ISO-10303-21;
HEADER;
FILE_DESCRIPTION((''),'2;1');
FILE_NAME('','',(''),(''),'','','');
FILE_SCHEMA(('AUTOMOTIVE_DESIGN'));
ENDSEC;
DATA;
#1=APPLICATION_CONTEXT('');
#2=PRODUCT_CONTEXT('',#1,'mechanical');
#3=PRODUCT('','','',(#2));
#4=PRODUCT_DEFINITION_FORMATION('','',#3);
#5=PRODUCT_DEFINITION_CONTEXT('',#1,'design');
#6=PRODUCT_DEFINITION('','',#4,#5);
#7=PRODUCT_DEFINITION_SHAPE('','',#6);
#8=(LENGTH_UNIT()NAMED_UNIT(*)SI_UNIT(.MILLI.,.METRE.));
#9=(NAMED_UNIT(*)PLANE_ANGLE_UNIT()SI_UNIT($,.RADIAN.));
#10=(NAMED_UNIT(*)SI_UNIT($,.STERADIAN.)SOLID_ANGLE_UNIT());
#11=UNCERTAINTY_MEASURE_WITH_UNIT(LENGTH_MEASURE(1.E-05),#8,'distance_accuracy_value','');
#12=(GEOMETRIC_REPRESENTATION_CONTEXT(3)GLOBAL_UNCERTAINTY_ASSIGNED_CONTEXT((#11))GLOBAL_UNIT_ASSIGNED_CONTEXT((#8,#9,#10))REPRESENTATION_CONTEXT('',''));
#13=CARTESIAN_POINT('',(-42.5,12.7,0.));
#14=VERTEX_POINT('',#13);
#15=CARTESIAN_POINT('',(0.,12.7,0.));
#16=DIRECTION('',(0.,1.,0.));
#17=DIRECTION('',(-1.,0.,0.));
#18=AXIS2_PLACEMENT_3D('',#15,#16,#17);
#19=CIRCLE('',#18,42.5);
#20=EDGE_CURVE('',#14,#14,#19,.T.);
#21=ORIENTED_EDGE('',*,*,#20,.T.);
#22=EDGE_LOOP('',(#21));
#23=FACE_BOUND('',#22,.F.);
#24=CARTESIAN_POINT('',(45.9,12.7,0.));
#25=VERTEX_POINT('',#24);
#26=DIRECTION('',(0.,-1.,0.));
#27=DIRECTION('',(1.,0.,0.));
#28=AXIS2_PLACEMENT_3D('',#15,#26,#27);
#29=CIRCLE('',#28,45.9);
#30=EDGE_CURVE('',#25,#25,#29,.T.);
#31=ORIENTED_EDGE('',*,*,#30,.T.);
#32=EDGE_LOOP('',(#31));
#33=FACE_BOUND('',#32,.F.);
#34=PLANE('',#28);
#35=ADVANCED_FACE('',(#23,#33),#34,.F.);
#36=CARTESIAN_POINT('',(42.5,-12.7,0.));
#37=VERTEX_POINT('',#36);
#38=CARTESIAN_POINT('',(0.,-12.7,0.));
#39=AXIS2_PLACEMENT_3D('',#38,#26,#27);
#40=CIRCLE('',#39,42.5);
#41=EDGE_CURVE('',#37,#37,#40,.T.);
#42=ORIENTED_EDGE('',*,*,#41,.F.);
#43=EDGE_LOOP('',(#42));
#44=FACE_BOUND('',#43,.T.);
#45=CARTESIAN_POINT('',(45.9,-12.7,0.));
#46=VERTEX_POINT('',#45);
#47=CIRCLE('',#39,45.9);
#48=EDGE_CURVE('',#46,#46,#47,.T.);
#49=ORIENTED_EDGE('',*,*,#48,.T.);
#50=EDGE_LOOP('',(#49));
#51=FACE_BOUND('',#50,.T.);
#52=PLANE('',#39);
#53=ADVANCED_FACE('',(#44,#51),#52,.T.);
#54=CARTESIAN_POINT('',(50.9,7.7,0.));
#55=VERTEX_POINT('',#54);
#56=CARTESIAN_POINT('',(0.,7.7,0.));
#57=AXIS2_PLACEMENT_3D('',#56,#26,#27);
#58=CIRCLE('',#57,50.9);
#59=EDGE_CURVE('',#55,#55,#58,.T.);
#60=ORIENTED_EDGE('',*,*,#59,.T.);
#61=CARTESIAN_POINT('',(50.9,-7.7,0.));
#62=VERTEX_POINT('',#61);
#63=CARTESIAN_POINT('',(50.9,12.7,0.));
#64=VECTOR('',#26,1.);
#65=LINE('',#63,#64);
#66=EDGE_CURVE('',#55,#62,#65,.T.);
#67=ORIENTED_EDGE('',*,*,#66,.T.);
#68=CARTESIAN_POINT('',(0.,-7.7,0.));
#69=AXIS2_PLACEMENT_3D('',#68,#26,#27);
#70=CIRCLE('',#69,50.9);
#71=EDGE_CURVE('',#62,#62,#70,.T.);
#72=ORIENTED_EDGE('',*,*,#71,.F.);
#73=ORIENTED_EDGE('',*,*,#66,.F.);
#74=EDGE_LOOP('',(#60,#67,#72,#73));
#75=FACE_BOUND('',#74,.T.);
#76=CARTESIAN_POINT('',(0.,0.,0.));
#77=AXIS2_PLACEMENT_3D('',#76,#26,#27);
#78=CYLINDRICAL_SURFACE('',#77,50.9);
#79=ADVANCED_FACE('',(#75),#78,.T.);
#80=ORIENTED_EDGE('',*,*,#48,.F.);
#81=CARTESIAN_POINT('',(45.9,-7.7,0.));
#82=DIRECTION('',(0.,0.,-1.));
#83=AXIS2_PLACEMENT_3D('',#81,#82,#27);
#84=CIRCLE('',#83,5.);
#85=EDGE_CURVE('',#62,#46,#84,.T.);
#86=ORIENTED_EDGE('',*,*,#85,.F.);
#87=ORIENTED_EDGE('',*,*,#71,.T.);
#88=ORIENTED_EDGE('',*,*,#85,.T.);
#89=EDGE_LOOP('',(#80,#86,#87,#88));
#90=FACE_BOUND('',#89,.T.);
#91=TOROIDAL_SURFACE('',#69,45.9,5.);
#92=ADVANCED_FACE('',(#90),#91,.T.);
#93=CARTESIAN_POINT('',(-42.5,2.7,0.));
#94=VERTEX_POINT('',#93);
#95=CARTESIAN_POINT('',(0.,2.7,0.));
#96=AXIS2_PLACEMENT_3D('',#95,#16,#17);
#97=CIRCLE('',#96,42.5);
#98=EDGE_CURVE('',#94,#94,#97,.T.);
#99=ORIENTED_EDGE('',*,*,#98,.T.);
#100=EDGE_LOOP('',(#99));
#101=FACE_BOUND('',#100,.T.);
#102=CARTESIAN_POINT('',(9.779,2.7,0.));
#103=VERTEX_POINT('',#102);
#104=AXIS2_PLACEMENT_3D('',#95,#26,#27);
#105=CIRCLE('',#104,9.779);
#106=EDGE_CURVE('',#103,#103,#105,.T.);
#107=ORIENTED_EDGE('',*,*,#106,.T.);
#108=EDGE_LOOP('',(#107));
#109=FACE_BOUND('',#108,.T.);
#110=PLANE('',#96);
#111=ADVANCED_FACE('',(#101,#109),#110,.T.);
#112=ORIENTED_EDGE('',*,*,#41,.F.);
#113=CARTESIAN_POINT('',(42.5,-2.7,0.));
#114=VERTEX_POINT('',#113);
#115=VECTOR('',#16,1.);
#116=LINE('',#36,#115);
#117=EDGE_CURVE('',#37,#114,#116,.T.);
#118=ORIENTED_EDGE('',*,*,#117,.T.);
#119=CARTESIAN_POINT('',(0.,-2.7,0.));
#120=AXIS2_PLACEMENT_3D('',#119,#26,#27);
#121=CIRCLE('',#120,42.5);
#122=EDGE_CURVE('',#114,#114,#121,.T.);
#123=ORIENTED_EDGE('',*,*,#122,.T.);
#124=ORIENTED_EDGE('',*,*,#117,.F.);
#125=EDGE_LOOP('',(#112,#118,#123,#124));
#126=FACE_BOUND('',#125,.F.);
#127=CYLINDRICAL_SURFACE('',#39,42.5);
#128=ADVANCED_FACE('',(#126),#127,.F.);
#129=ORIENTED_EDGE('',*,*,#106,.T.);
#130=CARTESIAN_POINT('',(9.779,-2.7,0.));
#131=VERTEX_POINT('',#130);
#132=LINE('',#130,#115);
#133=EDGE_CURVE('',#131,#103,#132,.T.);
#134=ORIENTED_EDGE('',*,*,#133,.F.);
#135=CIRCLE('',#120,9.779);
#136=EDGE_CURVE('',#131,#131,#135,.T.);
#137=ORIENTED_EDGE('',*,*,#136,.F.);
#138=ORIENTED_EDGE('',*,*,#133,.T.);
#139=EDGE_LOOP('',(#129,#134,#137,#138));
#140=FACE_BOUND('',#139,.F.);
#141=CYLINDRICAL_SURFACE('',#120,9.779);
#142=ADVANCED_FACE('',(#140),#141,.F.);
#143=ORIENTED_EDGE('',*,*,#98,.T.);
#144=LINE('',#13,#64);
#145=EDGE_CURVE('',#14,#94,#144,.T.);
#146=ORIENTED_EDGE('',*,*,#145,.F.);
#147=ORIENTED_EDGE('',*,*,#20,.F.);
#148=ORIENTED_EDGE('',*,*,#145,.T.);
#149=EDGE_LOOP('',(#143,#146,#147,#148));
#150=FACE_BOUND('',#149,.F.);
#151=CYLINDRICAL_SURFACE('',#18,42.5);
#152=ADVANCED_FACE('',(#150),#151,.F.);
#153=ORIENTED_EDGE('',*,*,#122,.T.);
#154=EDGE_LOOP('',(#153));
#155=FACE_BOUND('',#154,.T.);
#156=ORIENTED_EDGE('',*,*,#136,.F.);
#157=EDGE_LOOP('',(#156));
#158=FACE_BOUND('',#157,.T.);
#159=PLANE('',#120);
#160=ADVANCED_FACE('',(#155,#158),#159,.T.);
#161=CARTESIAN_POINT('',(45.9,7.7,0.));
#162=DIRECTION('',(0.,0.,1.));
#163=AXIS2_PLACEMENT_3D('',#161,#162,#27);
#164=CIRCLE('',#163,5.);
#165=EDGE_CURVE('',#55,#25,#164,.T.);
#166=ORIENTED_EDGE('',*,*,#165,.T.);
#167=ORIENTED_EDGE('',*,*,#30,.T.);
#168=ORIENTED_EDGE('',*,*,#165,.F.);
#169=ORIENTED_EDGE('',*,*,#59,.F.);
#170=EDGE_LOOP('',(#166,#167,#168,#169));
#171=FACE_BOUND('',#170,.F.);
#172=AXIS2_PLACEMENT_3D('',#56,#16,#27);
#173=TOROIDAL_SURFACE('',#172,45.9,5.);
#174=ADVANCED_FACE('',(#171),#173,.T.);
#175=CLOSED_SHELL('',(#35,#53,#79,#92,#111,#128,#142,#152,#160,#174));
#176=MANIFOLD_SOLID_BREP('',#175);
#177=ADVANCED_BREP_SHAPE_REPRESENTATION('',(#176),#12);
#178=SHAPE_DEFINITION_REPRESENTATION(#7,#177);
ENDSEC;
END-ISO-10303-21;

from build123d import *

# Parameters (mm, degrees)
F0_R     = 50.9
F0_R_2   = 40.9
F1_DEPTH = 12.7
F2_R     = 5
F3_R     = 42.5
F4_DEPTH = 10
F5_R     = 42.5
F6_DEPTH = 10
F7_R     = 9.779
F8_DEPTH = 5.4


with BuildPart() as f1:
    # F0 (on Front) → F1 (new body, symmetric)
    with BuildSketch(Plane.XZ):
        Circle(F0_R)
        Circle(F0_R_2, mode=Mode.SUBTRACT)
        Circle(F0_R_2)
    extrude(amount=F1_DEPTH, both=True)

    # F2
    f2_edges = [f1.edges().sort_by_distance(p)[0] for p in [
        (-50.9, -12.7, 0),
        (-50.9, 12.7, 0),
    ]]
    fillet(f2_edges, radius=F2_R)

    # F3 (on face) → F4 (cut)
    with BuildSketch(Plane.XZ.offset(12.7)):
        Circle(F3_R)
    extrude(amount=-F4_DEPTH, mode=Mode.SUBTRACT)

    # F5 (on face) → F6 (cut)
    with BuildSketch(Plane(origin=(0, 12.7, 0), x_dir=(-1, 0, 0), z_dir=(0, 1, 0))):
        Circle(F5_R)
    extrude(amount=-F6_DEPTH, mode=Mode.SUBTRACT)

    # F7 (on face) → F8 (cut, through all)
    with BuildSketch(Plane.XZ.offset(2.7)):
        Circle(F7_R)
    extrude(amount=-F8_DEPTH, mode=Mode.SUBTRACT)


solid = f1.part
